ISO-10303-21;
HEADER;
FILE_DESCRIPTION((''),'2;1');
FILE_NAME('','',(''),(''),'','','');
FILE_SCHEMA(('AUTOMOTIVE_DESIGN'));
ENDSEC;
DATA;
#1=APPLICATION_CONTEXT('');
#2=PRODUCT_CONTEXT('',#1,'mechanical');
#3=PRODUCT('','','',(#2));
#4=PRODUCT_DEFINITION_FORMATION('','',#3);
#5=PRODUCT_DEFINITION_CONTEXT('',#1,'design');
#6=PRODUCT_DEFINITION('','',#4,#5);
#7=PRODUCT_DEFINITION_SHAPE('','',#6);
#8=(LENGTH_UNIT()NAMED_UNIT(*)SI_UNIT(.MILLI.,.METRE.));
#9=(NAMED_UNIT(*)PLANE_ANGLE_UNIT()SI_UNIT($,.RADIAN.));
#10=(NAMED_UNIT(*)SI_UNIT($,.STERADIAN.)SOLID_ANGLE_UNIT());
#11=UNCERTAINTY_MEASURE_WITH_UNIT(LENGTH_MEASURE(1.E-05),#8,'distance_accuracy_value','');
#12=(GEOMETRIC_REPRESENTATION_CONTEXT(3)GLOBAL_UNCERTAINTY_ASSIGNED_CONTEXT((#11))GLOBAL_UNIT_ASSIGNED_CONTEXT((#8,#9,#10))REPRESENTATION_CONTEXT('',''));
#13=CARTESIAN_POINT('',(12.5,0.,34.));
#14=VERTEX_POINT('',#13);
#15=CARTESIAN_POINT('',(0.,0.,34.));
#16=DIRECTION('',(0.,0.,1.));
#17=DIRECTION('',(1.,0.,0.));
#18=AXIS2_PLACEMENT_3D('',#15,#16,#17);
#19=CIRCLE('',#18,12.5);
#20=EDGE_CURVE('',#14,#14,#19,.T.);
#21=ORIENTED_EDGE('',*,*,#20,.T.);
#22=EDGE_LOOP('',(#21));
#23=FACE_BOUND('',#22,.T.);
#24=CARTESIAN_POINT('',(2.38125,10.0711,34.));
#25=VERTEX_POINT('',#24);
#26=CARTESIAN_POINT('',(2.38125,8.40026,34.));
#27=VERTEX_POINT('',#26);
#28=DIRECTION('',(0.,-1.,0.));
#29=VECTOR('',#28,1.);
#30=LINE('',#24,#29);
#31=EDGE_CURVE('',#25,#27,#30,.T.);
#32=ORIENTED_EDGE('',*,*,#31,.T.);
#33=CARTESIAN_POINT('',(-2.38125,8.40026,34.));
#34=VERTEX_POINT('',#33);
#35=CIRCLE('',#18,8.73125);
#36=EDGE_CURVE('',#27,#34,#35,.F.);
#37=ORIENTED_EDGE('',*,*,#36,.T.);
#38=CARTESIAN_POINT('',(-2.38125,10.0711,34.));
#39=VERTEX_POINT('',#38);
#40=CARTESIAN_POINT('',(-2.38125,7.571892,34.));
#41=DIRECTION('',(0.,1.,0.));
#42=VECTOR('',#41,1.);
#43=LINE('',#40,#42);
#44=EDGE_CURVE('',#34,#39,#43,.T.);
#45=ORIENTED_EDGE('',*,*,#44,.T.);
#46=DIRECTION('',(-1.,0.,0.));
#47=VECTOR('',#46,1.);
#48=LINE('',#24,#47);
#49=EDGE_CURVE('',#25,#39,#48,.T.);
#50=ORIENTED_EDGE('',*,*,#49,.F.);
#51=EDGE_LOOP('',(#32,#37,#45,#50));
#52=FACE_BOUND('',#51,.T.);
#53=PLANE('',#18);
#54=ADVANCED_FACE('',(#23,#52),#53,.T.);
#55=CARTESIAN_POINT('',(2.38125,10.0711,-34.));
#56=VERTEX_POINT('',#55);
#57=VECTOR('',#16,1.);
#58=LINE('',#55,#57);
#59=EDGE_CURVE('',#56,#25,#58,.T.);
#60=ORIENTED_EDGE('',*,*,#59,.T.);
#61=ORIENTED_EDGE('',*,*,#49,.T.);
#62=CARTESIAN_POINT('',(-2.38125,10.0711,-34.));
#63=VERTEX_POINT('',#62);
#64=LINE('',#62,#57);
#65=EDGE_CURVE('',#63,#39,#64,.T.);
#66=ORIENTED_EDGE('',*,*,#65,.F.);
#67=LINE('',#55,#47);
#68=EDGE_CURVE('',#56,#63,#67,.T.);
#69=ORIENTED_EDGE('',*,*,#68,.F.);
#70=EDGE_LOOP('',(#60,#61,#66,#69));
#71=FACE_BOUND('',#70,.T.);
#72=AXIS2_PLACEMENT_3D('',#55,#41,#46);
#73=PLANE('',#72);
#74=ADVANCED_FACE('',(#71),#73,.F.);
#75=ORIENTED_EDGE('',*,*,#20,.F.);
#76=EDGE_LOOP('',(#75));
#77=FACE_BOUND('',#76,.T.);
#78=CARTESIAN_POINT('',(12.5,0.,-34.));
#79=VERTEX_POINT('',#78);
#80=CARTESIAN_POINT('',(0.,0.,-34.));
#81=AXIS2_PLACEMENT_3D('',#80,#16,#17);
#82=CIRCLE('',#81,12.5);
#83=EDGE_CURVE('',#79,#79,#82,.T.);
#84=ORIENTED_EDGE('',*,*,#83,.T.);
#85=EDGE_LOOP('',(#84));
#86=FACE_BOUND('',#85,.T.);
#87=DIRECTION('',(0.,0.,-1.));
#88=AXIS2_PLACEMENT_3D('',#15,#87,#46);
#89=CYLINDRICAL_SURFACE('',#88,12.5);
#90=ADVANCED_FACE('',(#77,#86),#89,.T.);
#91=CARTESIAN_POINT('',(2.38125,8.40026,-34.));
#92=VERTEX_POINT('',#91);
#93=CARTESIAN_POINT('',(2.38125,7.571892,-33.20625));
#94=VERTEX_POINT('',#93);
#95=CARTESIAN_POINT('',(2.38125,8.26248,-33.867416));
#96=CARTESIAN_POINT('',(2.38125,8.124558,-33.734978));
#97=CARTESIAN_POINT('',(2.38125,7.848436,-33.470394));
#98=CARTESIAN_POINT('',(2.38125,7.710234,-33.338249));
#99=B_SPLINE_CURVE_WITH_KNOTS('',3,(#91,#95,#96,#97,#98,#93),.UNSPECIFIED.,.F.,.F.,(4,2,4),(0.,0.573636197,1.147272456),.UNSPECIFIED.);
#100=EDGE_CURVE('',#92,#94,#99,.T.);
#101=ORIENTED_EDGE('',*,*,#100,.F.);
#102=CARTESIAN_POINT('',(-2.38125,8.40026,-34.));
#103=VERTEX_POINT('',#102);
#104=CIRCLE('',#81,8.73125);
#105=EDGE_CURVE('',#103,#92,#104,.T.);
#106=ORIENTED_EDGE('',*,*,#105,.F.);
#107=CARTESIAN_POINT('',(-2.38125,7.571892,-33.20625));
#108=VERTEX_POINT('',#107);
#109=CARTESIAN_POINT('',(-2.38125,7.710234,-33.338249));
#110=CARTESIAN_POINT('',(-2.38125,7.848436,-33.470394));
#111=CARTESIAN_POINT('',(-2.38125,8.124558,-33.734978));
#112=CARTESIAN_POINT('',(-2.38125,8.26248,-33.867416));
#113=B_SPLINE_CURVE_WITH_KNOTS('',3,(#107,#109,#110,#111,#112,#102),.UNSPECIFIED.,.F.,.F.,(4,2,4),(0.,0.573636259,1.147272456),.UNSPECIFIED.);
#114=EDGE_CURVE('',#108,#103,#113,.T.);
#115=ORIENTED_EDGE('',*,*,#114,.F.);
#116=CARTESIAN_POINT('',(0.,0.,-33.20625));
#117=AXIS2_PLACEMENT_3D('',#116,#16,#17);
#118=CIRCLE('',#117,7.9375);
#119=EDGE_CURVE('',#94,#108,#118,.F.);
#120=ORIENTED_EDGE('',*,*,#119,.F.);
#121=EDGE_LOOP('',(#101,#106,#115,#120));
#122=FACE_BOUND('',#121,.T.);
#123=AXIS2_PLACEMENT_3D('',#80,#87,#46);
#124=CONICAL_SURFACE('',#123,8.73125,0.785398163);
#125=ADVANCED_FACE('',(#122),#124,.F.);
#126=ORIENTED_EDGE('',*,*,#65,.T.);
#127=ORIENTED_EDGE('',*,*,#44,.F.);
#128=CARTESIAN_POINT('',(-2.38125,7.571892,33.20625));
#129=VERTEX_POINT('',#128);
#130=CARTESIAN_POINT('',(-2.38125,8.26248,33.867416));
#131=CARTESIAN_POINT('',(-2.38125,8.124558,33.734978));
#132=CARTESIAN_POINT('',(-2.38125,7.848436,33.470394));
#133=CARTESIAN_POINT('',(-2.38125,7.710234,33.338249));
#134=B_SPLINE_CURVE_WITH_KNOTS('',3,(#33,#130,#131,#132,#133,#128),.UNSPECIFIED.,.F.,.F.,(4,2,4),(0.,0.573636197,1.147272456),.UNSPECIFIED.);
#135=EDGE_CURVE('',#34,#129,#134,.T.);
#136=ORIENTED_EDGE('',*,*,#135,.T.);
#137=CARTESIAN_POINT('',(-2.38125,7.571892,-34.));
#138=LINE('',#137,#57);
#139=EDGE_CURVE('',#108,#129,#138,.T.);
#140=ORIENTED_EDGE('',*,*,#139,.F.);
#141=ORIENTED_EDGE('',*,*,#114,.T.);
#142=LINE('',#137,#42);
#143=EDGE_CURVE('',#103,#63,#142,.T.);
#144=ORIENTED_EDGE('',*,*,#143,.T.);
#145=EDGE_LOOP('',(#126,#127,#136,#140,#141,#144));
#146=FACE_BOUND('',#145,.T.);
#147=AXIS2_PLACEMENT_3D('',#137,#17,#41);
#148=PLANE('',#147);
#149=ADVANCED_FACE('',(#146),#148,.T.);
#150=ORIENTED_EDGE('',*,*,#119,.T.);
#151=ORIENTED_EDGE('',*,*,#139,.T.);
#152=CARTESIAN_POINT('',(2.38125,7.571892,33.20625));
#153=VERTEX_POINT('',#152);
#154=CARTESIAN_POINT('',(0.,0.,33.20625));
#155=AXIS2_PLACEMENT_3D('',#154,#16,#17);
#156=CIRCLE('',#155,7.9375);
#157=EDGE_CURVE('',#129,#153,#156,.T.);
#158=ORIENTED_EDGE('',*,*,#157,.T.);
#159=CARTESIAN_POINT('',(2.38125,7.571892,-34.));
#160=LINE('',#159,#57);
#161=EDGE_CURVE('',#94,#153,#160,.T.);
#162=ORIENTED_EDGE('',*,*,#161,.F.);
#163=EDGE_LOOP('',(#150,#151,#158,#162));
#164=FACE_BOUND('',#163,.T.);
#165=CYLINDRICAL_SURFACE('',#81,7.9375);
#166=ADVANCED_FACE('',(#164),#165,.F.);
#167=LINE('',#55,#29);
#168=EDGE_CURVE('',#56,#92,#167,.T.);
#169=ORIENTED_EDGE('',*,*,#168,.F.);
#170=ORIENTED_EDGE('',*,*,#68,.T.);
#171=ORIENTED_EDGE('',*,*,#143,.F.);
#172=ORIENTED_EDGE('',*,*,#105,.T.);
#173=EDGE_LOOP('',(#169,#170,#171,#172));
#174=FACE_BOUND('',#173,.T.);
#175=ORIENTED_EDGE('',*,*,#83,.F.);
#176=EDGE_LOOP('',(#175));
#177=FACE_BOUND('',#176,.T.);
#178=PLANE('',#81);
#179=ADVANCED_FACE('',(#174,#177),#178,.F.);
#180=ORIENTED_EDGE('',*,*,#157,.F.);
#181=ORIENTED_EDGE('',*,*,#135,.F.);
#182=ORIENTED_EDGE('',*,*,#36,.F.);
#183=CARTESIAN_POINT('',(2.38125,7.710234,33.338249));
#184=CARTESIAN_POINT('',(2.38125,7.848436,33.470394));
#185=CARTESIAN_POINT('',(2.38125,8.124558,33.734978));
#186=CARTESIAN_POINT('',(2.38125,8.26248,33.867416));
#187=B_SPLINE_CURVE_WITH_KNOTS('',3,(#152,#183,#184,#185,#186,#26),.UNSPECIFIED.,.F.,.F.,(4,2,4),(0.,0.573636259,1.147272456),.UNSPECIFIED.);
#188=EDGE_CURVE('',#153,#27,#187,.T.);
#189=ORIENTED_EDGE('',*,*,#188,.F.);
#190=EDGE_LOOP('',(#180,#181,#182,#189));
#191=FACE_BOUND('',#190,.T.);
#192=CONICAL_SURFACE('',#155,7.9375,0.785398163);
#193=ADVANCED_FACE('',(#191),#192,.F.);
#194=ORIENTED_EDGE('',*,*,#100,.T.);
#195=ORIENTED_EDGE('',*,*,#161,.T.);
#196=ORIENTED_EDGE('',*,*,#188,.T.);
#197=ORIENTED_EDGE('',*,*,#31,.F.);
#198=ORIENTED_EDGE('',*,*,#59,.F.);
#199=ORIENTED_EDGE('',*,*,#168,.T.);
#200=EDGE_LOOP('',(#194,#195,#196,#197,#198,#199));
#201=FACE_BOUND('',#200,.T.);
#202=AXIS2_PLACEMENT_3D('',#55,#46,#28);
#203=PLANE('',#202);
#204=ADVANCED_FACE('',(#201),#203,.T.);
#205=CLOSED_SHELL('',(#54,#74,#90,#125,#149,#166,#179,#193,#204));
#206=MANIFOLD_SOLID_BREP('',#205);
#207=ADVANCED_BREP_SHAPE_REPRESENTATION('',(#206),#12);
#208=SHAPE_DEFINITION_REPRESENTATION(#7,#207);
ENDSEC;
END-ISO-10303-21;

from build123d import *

# Parameters (mm, degrees)
BOSS_EXTRUDE1_DEPTH      = 34
BOSS_EXTRUDE1_DEPTH_BACK = 34
SKETCH2_R                = 12.5
KEYWAY_DEPTH             = 71.525832556
CHAMFER1_SIZE            = 0.79375


with BuildPart() as part:
    # Sketch2 → Boss-Extrude1 (new, two sides: drawn at the far end of the back side and taken through both)
    with BuildSketch(Plane.XY.offset(-BOSS_EXTRUDE1_DEPTH_BACK)):
        Circle(SKETCH2_R)
    extrude(amount=BOSS_EXTRUDE1_DEPTH + BOSS_EXTRUDE1_DEPTH_BACK)

    # KeySketch → Keyway (cut, through all)
    with BuildSketch(Plane(origin=(-0.021590267, -1.396144607, 34), x_dir=(1, 0, 0), z_dir=(0, 0, 1))):
        with BuildLine():
            Line((-2.359659733, 8.968037019), (-2.359659733, 11.467244607))
            Line((-2.359659733, 11.467244607), (2.402840267, 11.467244607))
            Line((2.402840267, 11.467244607), (2.402840267, 8.968037019))
            ThreePointArc((2.402840267, 8.968037019), (0.021590267, -6.541355393), (-2.359659733, 8.968037019))
        make_face()
    extrude(amount=-KEYWAY_DEPTH, mode=Mode.SUBTRACT)

    # Chamfer1
    chamfer1_edges = [part.edges().sort_by_distance(p)[0] for p in [
        (0, -7.9375, -34),
        (0, -7.9375, 34),
    ]]
    chamfer(chamfer1_edges, length=CHAMFER1_SIZE)


solid = part.part
